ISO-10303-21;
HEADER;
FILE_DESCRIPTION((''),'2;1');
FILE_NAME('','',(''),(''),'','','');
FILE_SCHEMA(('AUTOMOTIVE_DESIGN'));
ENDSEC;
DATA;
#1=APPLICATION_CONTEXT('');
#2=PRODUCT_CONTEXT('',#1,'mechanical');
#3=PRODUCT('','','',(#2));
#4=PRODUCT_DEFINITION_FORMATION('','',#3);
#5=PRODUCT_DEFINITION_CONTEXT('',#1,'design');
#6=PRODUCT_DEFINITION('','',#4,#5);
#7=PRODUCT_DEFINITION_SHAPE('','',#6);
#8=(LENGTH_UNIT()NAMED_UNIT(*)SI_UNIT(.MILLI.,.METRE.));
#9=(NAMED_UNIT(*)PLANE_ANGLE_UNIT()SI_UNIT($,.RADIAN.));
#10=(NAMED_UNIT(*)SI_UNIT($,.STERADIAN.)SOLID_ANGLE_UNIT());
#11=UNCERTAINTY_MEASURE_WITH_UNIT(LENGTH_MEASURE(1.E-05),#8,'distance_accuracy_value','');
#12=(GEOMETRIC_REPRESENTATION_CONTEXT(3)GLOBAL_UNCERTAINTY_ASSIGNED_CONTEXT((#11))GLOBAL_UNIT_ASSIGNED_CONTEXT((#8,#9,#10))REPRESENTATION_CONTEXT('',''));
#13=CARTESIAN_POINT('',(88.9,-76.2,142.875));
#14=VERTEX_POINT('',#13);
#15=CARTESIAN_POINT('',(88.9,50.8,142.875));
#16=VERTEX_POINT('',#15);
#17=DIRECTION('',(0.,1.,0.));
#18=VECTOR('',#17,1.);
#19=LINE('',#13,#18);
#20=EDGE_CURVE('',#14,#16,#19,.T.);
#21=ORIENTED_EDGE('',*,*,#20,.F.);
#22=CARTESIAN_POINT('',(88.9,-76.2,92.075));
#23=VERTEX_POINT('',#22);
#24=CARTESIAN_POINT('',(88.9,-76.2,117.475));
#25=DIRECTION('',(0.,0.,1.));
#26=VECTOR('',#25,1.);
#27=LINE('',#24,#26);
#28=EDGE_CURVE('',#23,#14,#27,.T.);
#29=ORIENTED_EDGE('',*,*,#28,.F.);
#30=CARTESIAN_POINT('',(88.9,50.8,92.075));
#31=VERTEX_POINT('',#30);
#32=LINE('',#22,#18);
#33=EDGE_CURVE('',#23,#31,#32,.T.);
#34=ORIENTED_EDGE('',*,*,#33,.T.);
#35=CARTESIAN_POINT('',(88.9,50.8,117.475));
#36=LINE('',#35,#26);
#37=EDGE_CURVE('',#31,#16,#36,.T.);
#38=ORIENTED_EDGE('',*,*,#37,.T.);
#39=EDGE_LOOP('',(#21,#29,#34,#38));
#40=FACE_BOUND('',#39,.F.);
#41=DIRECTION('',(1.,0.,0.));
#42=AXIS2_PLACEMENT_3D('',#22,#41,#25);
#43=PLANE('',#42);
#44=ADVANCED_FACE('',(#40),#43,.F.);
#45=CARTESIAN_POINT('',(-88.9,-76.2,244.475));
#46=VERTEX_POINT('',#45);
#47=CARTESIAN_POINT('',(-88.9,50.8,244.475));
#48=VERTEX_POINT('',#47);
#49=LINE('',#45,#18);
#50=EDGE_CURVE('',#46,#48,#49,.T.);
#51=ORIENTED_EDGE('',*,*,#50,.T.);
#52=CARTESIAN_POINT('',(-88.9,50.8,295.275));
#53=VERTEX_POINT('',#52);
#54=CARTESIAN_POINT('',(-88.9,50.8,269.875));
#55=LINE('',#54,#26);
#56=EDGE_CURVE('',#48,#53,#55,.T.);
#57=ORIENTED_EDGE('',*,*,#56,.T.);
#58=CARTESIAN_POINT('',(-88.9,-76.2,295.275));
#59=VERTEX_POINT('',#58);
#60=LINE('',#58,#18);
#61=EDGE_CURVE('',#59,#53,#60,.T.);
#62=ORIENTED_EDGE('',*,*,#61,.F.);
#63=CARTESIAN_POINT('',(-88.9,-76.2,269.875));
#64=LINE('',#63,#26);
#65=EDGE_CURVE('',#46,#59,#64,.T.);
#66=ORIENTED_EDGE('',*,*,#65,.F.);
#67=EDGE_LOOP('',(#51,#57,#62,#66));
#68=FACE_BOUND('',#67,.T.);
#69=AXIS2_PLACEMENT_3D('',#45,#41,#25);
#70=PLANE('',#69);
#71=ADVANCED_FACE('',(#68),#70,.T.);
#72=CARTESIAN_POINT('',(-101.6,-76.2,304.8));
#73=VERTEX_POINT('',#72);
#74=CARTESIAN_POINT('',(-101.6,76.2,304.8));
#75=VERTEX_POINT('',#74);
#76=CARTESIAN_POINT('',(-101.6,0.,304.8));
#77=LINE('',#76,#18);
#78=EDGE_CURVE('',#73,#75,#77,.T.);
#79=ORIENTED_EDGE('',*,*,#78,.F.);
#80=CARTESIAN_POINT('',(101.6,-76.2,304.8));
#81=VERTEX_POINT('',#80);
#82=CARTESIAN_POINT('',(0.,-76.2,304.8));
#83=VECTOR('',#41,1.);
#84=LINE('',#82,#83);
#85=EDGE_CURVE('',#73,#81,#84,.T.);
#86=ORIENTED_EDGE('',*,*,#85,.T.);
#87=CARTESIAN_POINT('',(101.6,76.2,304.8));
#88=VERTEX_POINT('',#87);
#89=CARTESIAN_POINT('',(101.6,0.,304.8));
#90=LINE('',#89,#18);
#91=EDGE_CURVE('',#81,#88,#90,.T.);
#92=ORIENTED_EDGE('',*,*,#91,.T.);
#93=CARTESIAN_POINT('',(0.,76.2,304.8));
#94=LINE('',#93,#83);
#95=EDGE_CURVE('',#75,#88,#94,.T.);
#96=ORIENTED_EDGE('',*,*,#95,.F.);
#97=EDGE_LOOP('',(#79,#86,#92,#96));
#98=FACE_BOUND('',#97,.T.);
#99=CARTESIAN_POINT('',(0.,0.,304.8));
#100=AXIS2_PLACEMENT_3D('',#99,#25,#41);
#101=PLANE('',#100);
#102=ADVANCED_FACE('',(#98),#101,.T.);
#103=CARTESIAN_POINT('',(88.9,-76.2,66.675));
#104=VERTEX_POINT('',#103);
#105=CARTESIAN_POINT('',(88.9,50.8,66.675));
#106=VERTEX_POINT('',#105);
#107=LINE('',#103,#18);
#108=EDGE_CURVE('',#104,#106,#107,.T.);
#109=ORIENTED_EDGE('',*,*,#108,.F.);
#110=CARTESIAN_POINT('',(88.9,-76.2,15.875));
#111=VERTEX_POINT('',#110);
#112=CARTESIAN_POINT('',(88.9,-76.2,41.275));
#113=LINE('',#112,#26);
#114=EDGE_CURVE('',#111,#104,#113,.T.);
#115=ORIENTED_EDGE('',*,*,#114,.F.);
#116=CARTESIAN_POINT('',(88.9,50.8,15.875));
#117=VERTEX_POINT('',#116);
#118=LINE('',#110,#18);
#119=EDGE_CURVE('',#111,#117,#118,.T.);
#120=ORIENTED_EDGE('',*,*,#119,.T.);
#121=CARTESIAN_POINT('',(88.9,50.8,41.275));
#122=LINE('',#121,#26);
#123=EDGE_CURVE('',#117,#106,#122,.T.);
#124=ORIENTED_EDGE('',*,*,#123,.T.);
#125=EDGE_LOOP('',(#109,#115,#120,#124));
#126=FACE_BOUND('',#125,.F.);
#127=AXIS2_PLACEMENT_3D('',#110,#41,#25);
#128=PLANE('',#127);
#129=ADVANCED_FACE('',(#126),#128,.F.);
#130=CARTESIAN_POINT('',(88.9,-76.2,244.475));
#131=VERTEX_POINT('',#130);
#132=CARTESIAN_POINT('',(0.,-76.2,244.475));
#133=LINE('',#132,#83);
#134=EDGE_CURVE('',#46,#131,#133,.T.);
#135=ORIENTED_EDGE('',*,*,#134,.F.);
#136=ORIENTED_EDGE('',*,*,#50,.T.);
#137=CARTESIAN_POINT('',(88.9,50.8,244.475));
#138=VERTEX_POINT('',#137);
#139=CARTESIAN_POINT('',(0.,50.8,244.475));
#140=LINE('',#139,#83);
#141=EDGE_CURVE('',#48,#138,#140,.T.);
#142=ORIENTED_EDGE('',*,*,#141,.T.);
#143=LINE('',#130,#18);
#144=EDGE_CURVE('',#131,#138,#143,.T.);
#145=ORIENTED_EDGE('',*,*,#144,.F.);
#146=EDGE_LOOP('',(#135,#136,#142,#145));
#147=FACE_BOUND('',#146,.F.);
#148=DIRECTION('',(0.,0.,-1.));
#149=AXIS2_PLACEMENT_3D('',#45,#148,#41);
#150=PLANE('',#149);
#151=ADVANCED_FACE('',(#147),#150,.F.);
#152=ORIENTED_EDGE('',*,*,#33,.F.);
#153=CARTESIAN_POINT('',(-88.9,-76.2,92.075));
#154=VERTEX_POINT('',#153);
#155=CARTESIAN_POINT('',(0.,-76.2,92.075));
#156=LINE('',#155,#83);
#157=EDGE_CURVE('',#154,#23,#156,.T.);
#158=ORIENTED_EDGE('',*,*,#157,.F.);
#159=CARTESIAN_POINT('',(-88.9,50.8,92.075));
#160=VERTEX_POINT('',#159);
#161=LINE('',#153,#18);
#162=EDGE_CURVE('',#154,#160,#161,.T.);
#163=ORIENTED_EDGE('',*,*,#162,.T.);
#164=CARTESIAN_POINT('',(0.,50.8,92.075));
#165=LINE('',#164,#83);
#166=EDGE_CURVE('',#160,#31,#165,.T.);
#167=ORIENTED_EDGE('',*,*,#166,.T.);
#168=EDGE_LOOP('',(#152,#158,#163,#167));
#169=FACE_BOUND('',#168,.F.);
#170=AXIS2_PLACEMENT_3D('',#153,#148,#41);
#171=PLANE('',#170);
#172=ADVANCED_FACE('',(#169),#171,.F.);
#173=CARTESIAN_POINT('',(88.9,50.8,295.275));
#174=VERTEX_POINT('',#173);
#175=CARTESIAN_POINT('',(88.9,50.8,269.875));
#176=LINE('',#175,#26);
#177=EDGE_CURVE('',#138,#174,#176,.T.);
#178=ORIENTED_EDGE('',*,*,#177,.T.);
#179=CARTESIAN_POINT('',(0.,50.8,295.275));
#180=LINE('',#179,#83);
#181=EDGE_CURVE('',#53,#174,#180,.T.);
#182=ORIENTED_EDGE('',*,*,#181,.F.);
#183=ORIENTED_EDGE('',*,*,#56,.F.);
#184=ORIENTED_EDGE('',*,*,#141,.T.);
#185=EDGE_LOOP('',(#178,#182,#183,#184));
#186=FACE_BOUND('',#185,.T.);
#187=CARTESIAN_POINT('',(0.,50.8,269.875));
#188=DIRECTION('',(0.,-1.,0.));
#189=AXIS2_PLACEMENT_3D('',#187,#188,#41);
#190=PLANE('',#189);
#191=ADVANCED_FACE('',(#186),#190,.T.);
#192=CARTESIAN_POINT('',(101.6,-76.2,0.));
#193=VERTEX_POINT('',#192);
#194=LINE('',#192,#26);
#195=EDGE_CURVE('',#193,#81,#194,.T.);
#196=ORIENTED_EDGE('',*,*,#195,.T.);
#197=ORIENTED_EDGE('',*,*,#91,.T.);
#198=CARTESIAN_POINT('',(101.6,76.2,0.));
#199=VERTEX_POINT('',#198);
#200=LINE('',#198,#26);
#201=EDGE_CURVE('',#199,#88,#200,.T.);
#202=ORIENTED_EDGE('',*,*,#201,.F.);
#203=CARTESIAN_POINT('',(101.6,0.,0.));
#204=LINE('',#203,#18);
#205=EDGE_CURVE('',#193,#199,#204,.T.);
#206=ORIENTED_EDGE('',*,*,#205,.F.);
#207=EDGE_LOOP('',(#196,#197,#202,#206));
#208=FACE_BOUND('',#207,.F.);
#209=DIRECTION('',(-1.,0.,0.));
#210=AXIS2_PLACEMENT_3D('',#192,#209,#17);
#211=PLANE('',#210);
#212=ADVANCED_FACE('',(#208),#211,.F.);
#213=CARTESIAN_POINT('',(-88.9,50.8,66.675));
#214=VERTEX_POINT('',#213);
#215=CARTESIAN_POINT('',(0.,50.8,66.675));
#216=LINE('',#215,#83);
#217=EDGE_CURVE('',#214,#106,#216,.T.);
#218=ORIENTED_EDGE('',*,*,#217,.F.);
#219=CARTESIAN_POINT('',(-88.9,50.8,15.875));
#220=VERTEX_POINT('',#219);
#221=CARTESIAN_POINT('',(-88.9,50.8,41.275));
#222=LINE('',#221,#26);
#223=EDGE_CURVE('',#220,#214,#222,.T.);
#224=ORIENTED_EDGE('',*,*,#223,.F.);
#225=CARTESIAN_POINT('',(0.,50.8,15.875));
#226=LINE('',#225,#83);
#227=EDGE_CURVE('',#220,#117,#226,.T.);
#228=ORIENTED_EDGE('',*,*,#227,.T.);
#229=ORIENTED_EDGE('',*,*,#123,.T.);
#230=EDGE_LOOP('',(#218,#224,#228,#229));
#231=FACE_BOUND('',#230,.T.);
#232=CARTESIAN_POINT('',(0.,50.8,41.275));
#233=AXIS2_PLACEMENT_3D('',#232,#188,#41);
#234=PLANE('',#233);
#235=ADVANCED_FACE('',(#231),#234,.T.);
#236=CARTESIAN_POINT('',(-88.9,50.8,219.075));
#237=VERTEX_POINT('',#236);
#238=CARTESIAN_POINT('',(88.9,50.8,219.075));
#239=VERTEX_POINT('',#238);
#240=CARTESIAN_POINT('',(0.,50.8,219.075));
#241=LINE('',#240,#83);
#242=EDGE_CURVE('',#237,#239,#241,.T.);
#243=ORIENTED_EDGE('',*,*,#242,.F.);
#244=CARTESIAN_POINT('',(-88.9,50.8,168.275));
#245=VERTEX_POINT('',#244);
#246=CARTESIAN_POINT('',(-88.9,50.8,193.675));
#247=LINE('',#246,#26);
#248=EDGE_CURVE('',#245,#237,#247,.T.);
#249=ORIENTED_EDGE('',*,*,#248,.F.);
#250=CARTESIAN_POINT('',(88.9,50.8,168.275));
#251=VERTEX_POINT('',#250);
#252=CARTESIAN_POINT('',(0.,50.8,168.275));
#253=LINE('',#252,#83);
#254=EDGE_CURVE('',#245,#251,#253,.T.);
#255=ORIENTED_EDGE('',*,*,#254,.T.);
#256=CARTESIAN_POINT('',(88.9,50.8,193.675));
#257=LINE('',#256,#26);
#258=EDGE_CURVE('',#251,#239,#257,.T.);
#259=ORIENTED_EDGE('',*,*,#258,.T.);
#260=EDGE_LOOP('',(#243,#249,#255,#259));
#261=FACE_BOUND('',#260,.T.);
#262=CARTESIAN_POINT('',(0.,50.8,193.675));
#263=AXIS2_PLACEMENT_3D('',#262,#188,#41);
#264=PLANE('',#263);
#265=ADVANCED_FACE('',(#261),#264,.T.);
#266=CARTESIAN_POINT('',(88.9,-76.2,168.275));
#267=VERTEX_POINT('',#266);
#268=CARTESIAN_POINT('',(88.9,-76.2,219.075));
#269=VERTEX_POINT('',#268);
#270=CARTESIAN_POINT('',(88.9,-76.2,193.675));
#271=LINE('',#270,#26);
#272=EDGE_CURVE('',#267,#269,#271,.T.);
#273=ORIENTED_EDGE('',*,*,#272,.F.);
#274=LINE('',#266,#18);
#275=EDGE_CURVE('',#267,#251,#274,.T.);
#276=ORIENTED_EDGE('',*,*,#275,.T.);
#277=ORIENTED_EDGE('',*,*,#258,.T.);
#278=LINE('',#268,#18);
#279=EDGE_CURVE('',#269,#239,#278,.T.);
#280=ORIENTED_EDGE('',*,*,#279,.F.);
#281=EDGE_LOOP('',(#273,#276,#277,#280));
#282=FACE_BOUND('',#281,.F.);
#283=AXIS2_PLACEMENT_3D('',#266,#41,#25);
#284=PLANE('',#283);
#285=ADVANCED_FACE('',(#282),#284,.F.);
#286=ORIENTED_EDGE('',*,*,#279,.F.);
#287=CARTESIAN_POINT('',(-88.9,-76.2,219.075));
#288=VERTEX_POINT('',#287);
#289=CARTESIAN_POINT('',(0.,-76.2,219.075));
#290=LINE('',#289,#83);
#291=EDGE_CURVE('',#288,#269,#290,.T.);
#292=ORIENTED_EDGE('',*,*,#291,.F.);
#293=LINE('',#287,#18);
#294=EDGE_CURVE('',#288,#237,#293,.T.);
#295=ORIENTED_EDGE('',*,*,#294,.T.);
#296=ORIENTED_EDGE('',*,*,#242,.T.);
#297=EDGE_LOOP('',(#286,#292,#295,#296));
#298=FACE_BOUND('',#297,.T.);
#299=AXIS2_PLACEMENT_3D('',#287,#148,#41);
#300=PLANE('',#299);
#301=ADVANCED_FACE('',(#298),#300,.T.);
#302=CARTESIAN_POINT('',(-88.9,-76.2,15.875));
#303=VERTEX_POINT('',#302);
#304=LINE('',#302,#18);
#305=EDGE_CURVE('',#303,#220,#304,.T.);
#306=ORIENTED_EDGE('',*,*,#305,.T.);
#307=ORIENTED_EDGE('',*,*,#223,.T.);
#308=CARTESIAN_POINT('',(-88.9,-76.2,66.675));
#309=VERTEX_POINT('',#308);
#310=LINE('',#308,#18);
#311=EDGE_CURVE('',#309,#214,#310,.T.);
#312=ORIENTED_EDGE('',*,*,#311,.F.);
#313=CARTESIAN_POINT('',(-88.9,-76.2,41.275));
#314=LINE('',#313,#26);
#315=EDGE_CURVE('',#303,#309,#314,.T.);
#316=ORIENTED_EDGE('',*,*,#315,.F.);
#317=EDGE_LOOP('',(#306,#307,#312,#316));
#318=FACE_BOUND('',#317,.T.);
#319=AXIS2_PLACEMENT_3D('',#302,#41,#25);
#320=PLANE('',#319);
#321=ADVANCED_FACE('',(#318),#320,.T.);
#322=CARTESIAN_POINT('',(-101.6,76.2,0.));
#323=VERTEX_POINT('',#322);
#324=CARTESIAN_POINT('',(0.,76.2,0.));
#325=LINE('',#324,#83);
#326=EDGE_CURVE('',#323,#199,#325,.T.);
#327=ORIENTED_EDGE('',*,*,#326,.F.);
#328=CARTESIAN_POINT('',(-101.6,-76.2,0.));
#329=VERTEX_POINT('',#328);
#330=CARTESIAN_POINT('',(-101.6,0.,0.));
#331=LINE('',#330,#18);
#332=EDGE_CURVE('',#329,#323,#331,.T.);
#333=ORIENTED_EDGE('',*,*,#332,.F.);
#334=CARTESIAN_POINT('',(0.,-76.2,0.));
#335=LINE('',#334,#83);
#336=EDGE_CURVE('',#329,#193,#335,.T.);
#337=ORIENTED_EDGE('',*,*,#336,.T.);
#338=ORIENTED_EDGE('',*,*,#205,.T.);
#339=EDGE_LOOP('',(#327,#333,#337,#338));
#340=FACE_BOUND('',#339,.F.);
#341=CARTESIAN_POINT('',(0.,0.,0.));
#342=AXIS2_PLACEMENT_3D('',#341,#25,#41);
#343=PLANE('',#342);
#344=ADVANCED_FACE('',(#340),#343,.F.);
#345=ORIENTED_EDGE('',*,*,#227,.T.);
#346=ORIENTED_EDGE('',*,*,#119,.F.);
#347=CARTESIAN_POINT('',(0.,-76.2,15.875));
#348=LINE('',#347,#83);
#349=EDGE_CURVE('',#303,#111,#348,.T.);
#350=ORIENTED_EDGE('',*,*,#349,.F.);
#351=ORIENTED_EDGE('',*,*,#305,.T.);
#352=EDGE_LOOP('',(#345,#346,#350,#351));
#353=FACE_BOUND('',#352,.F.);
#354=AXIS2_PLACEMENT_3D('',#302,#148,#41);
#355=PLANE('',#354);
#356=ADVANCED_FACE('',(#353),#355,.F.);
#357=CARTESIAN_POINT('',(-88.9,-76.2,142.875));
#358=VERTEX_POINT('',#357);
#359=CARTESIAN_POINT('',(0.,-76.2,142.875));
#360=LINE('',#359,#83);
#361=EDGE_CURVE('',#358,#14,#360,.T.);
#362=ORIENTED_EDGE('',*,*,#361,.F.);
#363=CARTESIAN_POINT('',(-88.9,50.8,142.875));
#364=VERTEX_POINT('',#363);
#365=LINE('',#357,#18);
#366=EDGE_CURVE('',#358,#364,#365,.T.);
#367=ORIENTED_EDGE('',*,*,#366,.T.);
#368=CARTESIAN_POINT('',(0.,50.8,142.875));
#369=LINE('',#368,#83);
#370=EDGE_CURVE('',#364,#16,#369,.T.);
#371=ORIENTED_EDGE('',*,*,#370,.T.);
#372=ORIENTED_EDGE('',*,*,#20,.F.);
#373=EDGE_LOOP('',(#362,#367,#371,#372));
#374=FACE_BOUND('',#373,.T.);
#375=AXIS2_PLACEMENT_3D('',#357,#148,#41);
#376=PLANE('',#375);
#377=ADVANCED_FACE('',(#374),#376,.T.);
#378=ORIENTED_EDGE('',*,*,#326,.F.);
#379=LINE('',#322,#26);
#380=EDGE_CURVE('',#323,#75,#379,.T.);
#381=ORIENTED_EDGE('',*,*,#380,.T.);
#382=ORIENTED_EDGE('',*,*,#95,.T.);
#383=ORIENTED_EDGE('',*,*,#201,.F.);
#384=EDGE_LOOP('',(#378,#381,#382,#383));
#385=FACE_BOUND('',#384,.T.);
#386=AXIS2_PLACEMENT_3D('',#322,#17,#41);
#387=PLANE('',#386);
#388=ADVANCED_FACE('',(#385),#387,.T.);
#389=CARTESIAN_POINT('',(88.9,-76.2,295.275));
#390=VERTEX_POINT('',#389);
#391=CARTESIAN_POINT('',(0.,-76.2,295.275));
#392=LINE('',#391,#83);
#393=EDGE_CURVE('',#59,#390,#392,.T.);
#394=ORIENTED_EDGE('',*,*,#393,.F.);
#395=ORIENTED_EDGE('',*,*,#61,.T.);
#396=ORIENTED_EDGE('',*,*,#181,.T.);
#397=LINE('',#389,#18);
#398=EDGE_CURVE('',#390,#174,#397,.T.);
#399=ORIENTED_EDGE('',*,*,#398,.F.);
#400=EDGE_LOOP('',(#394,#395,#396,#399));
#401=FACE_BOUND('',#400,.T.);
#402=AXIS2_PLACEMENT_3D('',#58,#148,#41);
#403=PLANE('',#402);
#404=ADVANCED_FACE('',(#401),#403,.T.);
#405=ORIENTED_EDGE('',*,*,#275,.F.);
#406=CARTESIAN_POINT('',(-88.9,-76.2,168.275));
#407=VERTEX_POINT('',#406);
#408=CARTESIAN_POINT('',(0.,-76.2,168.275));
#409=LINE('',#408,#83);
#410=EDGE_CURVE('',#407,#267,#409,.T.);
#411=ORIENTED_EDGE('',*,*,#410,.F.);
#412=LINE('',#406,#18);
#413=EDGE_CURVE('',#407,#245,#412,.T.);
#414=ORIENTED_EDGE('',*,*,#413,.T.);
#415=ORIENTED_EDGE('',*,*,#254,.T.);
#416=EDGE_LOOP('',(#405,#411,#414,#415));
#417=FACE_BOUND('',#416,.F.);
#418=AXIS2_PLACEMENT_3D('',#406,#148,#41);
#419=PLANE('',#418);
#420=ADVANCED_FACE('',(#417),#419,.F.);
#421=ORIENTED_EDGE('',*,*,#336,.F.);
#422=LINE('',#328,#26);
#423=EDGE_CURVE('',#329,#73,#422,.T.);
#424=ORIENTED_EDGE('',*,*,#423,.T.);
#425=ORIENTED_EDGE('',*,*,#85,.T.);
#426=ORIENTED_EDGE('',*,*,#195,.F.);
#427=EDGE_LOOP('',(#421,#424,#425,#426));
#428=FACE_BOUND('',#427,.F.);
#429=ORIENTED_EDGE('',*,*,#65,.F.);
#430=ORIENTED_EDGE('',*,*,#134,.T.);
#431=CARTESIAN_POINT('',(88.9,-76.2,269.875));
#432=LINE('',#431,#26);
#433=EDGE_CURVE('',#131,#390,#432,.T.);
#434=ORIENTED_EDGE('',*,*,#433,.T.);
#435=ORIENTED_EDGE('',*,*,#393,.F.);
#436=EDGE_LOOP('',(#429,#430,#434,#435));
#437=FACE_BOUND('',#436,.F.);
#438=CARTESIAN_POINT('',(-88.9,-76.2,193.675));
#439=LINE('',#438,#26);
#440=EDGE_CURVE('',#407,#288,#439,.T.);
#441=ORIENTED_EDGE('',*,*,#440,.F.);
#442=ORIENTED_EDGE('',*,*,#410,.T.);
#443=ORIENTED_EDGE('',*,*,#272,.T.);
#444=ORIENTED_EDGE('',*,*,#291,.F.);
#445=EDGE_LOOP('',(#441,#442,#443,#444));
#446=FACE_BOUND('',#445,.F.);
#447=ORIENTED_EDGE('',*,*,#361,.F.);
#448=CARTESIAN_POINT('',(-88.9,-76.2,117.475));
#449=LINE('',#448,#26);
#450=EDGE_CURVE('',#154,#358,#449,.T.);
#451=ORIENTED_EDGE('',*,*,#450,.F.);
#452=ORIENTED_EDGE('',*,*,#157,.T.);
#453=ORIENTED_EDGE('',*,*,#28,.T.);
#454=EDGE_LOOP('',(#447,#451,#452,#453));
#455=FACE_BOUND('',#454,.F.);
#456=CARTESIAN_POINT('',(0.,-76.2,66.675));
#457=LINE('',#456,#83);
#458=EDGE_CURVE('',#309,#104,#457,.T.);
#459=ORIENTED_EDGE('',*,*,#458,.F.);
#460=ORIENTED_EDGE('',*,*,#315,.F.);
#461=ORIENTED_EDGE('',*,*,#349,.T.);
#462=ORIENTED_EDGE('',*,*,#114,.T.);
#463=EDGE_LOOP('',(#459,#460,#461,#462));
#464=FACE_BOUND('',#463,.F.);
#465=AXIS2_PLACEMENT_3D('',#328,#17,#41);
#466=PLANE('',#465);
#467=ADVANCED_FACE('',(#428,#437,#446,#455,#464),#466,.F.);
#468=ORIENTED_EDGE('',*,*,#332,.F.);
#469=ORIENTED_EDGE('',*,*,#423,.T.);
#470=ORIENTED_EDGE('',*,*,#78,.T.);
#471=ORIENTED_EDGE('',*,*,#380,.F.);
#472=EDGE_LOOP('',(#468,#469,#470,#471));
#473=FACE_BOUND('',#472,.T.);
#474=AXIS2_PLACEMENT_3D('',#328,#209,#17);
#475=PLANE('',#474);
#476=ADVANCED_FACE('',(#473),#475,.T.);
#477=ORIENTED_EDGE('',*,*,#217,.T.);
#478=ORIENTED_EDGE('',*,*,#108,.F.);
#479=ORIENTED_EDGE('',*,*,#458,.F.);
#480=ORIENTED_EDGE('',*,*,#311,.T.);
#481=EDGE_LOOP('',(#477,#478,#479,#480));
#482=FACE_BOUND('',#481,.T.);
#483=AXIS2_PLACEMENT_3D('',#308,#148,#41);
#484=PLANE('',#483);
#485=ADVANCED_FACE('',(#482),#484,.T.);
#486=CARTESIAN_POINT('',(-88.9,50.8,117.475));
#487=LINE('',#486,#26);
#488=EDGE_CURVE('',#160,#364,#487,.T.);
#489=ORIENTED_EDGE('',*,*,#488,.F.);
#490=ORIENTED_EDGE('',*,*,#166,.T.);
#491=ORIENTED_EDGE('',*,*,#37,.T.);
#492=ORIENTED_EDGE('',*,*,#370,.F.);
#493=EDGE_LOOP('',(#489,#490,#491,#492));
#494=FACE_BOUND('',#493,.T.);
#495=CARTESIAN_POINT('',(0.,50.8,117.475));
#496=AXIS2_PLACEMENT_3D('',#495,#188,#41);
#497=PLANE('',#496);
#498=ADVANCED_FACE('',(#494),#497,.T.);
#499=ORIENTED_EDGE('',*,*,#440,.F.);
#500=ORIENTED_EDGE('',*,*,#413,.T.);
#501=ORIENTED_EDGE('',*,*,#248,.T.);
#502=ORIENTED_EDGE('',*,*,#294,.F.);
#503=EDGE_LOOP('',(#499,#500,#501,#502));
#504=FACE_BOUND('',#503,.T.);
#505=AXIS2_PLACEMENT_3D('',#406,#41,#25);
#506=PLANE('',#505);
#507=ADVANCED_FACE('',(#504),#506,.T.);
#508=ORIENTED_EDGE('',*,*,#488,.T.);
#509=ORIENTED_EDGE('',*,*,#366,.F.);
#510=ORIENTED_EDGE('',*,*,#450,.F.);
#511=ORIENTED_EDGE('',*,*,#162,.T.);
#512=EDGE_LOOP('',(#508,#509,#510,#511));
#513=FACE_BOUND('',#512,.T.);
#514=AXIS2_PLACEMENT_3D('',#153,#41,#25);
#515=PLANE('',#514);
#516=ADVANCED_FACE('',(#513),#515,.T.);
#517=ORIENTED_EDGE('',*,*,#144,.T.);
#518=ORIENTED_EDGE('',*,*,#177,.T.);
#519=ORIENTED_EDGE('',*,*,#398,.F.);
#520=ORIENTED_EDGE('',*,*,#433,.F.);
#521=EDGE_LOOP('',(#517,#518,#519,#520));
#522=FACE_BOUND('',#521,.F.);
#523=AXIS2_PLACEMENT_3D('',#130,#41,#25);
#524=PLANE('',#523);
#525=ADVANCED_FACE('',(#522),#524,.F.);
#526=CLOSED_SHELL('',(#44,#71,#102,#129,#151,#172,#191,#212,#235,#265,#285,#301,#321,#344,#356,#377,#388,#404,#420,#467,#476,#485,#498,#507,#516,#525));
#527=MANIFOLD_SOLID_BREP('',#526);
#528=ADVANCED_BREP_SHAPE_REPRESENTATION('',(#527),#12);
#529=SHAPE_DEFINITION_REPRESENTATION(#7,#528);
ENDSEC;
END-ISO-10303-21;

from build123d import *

# Parameters (mm, degrees)
F0_W     = 203.2
F0_H     = 152.4
F1_DEPTH = 304.8
F2_W     = 177.8
F2_H     = 50.8
F3_DEPTH = 127


with BuildPart() as f1:
    # F0 (on Top) → F1 (new body)
    with BuildSketch(Plane.XY):
        Rectangle(F0_W, F0_H)
    extrude(amount=F1_DEPTH)

    # F2 (on face) → F3 (cut)
    with BuildSketch(Plane.XZ.offset(76.2)):
        with Locations((0, 269.875)):
            Rectangle(F2_W, F2_H)
        with Locations((0, 193.675)):
            Rectangle(F2_W, F2_H)
        with Locations((0, 117.475)):
            Rectangle(F2_W, F2_H)
        with Locations((0, 41.275)):
            Rectangle(F2_W, F2_H)
    extrude(amount=-F3_DEPTH, mode=Mode.SUBTRACT)


solid = f1.part
